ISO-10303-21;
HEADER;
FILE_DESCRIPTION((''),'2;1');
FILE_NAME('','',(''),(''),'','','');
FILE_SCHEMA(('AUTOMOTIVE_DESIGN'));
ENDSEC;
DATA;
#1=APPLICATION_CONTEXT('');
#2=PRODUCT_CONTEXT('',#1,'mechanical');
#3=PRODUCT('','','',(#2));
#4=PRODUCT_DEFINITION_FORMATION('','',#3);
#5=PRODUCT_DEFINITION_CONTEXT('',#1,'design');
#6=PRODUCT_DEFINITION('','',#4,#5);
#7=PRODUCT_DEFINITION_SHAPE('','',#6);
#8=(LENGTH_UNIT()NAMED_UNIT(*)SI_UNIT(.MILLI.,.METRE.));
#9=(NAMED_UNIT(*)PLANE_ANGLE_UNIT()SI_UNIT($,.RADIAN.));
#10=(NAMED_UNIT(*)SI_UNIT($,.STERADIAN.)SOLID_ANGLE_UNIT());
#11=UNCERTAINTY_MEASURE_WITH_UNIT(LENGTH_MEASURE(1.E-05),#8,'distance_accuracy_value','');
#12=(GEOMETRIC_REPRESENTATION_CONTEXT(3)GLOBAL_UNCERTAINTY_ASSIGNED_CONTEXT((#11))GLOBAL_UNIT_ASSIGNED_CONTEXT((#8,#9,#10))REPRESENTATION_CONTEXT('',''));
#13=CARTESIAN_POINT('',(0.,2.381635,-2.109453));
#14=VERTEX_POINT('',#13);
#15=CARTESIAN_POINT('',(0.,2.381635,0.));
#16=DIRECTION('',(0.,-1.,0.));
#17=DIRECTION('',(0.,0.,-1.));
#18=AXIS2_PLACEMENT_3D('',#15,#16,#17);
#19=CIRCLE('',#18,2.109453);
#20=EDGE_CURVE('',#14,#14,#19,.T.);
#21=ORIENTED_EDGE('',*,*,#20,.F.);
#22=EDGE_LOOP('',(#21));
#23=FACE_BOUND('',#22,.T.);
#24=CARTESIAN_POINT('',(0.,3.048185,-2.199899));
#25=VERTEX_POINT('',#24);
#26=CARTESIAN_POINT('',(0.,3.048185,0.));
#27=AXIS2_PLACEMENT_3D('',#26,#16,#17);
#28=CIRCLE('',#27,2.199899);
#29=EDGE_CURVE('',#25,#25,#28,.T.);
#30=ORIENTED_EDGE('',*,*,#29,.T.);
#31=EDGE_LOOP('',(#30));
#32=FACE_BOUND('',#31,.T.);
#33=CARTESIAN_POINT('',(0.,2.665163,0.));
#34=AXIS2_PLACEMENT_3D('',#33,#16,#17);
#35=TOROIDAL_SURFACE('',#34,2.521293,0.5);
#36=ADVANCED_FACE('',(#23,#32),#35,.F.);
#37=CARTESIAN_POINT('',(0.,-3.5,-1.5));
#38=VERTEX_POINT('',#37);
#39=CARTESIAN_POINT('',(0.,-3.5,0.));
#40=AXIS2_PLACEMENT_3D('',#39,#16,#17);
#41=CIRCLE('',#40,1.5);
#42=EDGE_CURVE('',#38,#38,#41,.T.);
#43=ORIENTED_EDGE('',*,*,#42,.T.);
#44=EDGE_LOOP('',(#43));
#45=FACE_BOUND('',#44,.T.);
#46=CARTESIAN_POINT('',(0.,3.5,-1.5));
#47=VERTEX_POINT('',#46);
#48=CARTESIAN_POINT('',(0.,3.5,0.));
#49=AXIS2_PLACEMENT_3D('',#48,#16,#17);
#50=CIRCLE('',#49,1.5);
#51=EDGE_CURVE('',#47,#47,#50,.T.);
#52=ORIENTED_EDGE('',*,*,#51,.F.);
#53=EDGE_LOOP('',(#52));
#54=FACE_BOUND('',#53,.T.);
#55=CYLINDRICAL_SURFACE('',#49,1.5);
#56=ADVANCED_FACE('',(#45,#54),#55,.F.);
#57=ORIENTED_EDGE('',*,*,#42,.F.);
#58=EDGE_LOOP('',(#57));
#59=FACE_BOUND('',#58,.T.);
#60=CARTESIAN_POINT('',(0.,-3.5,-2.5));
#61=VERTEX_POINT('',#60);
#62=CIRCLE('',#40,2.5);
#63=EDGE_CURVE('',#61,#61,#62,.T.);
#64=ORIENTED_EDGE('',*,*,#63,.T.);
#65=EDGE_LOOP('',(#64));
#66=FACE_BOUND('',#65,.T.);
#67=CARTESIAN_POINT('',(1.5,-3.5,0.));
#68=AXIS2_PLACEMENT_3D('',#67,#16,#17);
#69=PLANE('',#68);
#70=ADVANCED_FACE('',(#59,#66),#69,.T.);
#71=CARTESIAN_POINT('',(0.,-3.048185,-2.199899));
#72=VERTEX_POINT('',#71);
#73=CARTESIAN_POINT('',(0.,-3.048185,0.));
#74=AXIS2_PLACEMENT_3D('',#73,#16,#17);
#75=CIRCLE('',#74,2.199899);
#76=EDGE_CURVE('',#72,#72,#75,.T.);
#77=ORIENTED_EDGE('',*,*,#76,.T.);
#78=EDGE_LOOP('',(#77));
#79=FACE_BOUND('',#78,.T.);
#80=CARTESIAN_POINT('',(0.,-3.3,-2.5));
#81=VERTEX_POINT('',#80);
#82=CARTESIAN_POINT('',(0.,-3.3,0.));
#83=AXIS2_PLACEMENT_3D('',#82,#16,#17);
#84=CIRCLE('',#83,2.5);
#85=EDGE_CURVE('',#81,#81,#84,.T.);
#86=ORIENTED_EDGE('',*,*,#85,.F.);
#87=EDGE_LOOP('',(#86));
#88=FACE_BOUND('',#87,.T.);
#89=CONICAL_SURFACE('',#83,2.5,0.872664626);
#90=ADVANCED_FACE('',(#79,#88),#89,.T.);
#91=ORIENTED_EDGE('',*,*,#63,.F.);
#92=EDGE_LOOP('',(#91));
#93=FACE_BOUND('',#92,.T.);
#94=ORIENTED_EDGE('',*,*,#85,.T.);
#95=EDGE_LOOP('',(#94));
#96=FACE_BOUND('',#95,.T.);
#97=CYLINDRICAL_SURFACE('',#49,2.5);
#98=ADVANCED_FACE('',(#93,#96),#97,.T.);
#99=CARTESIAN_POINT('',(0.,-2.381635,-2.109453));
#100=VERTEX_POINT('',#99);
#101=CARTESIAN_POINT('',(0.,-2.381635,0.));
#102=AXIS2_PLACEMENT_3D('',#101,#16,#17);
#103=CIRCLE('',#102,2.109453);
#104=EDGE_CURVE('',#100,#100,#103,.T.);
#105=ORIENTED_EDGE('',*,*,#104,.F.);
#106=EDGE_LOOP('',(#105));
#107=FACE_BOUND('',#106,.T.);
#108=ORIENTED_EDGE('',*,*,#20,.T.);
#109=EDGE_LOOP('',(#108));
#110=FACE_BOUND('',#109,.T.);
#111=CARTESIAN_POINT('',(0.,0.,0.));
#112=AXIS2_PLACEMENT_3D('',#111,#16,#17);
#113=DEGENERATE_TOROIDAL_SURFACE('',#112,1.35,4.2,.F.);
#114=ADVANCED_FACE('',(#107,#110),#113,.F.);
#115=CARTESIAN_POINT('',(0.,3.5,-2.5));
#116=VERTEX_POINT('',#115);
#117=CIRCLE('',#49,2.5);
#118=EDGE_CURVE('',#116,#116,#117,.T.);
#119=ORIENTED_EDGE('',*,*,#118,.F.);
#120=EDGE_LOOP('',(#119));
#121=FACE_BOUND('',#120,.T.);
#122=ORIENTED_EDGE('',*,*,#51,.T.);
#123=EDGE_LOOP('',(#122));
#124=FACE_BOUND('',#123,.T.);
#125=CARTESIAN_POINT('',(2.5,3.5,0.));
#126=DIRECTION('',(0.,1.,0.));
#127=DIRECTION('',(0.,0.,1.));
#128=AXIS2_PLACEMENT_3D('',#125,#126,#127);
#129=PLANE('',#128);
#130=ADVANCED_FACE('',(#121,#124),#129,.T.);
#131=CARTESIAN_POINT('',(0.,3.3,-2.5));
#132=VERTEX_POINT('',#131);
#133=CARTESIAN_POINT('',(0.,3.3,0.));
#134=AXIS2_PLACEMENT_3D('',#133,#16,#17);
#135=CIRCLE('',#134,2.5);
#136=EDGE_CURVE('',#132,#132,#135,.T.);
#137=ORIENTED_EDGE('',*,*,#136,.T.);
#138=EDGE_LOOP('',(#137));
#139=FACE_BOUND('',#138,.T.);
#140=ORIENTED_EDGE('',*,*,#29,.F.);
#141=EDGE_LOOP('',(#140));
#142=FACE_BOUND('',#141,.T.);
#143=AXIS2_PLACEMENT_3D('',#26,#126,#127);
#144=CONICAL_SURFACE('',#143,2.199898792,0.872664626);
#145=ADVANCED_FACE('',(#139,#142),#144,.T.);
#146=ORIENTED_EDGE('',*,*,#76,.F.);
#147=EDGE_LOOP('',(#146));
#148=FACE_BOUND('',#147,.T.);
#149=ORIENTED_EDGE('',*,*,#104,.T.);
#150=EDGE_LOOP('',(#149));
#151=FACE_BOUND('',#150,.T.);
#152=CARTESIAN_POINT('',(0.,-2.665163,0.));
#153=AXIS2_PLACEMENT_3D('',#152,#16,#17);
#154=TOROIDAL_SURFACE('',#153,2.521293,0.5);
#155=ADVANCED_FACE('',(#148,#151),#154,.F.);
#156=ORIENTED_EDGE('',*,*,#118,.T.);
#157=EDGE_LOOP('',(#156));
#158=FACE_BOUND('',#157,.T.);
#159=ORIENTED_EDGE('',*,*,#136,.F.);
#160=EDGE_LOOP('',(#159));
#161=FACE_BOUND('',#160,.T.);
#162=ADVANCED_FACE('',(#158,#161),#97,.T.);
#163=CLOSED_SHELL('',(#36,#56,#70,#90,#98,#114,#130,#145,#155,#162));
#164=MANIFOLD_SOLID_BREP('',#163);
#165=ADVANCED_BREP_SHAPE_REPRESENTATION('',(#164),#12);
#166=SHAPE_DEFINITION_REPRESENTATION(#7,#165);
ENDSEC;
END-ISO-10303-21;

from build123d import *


with BuildPart() as part:
    # 草图1 → 旋转1 (revolve)
    with BuildSketch(Plane.XY, mode=Mode.PRIVATE) as revolve_1_sk:
        with BuildLine():
            Line((2.5, 3.5), (1.5, 3.5))
            Line((1.5, 3.5), (1.5, -3.5))
            Line((1.5, -3.5), (2.5, -3.5))
            Line((2.5, -3.5), (2.5, -3.3))
            Line((2.5, -3.3), (2.199898792, -3.048185187))
            ThreePointArc((2.199898792, -3.048185187), (2.025833101, -2.732393081), (2.109452959, -2.38163499))
            ThreePointArc((2.109452959, -2.38163499), (2.85, 0), (2.109452959, 2.38163499))
            ThreePointArc((2.109452959, 2.38163499), (2.025833101, 2.732393081), (2.199898792, 3.048185187))
            Line((2.199898792, 3.048185187), (2.5, 3.3))
            Line((2.5, 3.3), (2.5, 3.5))
        make_face()
    revolve(revolve_1_sk.sketch.rotate(Axis((0, 3.5, 0), (0, -1, 0)), 270), axis=Axis((0, 3.5, 0), (0, -1, 0)))


solid = part.part
